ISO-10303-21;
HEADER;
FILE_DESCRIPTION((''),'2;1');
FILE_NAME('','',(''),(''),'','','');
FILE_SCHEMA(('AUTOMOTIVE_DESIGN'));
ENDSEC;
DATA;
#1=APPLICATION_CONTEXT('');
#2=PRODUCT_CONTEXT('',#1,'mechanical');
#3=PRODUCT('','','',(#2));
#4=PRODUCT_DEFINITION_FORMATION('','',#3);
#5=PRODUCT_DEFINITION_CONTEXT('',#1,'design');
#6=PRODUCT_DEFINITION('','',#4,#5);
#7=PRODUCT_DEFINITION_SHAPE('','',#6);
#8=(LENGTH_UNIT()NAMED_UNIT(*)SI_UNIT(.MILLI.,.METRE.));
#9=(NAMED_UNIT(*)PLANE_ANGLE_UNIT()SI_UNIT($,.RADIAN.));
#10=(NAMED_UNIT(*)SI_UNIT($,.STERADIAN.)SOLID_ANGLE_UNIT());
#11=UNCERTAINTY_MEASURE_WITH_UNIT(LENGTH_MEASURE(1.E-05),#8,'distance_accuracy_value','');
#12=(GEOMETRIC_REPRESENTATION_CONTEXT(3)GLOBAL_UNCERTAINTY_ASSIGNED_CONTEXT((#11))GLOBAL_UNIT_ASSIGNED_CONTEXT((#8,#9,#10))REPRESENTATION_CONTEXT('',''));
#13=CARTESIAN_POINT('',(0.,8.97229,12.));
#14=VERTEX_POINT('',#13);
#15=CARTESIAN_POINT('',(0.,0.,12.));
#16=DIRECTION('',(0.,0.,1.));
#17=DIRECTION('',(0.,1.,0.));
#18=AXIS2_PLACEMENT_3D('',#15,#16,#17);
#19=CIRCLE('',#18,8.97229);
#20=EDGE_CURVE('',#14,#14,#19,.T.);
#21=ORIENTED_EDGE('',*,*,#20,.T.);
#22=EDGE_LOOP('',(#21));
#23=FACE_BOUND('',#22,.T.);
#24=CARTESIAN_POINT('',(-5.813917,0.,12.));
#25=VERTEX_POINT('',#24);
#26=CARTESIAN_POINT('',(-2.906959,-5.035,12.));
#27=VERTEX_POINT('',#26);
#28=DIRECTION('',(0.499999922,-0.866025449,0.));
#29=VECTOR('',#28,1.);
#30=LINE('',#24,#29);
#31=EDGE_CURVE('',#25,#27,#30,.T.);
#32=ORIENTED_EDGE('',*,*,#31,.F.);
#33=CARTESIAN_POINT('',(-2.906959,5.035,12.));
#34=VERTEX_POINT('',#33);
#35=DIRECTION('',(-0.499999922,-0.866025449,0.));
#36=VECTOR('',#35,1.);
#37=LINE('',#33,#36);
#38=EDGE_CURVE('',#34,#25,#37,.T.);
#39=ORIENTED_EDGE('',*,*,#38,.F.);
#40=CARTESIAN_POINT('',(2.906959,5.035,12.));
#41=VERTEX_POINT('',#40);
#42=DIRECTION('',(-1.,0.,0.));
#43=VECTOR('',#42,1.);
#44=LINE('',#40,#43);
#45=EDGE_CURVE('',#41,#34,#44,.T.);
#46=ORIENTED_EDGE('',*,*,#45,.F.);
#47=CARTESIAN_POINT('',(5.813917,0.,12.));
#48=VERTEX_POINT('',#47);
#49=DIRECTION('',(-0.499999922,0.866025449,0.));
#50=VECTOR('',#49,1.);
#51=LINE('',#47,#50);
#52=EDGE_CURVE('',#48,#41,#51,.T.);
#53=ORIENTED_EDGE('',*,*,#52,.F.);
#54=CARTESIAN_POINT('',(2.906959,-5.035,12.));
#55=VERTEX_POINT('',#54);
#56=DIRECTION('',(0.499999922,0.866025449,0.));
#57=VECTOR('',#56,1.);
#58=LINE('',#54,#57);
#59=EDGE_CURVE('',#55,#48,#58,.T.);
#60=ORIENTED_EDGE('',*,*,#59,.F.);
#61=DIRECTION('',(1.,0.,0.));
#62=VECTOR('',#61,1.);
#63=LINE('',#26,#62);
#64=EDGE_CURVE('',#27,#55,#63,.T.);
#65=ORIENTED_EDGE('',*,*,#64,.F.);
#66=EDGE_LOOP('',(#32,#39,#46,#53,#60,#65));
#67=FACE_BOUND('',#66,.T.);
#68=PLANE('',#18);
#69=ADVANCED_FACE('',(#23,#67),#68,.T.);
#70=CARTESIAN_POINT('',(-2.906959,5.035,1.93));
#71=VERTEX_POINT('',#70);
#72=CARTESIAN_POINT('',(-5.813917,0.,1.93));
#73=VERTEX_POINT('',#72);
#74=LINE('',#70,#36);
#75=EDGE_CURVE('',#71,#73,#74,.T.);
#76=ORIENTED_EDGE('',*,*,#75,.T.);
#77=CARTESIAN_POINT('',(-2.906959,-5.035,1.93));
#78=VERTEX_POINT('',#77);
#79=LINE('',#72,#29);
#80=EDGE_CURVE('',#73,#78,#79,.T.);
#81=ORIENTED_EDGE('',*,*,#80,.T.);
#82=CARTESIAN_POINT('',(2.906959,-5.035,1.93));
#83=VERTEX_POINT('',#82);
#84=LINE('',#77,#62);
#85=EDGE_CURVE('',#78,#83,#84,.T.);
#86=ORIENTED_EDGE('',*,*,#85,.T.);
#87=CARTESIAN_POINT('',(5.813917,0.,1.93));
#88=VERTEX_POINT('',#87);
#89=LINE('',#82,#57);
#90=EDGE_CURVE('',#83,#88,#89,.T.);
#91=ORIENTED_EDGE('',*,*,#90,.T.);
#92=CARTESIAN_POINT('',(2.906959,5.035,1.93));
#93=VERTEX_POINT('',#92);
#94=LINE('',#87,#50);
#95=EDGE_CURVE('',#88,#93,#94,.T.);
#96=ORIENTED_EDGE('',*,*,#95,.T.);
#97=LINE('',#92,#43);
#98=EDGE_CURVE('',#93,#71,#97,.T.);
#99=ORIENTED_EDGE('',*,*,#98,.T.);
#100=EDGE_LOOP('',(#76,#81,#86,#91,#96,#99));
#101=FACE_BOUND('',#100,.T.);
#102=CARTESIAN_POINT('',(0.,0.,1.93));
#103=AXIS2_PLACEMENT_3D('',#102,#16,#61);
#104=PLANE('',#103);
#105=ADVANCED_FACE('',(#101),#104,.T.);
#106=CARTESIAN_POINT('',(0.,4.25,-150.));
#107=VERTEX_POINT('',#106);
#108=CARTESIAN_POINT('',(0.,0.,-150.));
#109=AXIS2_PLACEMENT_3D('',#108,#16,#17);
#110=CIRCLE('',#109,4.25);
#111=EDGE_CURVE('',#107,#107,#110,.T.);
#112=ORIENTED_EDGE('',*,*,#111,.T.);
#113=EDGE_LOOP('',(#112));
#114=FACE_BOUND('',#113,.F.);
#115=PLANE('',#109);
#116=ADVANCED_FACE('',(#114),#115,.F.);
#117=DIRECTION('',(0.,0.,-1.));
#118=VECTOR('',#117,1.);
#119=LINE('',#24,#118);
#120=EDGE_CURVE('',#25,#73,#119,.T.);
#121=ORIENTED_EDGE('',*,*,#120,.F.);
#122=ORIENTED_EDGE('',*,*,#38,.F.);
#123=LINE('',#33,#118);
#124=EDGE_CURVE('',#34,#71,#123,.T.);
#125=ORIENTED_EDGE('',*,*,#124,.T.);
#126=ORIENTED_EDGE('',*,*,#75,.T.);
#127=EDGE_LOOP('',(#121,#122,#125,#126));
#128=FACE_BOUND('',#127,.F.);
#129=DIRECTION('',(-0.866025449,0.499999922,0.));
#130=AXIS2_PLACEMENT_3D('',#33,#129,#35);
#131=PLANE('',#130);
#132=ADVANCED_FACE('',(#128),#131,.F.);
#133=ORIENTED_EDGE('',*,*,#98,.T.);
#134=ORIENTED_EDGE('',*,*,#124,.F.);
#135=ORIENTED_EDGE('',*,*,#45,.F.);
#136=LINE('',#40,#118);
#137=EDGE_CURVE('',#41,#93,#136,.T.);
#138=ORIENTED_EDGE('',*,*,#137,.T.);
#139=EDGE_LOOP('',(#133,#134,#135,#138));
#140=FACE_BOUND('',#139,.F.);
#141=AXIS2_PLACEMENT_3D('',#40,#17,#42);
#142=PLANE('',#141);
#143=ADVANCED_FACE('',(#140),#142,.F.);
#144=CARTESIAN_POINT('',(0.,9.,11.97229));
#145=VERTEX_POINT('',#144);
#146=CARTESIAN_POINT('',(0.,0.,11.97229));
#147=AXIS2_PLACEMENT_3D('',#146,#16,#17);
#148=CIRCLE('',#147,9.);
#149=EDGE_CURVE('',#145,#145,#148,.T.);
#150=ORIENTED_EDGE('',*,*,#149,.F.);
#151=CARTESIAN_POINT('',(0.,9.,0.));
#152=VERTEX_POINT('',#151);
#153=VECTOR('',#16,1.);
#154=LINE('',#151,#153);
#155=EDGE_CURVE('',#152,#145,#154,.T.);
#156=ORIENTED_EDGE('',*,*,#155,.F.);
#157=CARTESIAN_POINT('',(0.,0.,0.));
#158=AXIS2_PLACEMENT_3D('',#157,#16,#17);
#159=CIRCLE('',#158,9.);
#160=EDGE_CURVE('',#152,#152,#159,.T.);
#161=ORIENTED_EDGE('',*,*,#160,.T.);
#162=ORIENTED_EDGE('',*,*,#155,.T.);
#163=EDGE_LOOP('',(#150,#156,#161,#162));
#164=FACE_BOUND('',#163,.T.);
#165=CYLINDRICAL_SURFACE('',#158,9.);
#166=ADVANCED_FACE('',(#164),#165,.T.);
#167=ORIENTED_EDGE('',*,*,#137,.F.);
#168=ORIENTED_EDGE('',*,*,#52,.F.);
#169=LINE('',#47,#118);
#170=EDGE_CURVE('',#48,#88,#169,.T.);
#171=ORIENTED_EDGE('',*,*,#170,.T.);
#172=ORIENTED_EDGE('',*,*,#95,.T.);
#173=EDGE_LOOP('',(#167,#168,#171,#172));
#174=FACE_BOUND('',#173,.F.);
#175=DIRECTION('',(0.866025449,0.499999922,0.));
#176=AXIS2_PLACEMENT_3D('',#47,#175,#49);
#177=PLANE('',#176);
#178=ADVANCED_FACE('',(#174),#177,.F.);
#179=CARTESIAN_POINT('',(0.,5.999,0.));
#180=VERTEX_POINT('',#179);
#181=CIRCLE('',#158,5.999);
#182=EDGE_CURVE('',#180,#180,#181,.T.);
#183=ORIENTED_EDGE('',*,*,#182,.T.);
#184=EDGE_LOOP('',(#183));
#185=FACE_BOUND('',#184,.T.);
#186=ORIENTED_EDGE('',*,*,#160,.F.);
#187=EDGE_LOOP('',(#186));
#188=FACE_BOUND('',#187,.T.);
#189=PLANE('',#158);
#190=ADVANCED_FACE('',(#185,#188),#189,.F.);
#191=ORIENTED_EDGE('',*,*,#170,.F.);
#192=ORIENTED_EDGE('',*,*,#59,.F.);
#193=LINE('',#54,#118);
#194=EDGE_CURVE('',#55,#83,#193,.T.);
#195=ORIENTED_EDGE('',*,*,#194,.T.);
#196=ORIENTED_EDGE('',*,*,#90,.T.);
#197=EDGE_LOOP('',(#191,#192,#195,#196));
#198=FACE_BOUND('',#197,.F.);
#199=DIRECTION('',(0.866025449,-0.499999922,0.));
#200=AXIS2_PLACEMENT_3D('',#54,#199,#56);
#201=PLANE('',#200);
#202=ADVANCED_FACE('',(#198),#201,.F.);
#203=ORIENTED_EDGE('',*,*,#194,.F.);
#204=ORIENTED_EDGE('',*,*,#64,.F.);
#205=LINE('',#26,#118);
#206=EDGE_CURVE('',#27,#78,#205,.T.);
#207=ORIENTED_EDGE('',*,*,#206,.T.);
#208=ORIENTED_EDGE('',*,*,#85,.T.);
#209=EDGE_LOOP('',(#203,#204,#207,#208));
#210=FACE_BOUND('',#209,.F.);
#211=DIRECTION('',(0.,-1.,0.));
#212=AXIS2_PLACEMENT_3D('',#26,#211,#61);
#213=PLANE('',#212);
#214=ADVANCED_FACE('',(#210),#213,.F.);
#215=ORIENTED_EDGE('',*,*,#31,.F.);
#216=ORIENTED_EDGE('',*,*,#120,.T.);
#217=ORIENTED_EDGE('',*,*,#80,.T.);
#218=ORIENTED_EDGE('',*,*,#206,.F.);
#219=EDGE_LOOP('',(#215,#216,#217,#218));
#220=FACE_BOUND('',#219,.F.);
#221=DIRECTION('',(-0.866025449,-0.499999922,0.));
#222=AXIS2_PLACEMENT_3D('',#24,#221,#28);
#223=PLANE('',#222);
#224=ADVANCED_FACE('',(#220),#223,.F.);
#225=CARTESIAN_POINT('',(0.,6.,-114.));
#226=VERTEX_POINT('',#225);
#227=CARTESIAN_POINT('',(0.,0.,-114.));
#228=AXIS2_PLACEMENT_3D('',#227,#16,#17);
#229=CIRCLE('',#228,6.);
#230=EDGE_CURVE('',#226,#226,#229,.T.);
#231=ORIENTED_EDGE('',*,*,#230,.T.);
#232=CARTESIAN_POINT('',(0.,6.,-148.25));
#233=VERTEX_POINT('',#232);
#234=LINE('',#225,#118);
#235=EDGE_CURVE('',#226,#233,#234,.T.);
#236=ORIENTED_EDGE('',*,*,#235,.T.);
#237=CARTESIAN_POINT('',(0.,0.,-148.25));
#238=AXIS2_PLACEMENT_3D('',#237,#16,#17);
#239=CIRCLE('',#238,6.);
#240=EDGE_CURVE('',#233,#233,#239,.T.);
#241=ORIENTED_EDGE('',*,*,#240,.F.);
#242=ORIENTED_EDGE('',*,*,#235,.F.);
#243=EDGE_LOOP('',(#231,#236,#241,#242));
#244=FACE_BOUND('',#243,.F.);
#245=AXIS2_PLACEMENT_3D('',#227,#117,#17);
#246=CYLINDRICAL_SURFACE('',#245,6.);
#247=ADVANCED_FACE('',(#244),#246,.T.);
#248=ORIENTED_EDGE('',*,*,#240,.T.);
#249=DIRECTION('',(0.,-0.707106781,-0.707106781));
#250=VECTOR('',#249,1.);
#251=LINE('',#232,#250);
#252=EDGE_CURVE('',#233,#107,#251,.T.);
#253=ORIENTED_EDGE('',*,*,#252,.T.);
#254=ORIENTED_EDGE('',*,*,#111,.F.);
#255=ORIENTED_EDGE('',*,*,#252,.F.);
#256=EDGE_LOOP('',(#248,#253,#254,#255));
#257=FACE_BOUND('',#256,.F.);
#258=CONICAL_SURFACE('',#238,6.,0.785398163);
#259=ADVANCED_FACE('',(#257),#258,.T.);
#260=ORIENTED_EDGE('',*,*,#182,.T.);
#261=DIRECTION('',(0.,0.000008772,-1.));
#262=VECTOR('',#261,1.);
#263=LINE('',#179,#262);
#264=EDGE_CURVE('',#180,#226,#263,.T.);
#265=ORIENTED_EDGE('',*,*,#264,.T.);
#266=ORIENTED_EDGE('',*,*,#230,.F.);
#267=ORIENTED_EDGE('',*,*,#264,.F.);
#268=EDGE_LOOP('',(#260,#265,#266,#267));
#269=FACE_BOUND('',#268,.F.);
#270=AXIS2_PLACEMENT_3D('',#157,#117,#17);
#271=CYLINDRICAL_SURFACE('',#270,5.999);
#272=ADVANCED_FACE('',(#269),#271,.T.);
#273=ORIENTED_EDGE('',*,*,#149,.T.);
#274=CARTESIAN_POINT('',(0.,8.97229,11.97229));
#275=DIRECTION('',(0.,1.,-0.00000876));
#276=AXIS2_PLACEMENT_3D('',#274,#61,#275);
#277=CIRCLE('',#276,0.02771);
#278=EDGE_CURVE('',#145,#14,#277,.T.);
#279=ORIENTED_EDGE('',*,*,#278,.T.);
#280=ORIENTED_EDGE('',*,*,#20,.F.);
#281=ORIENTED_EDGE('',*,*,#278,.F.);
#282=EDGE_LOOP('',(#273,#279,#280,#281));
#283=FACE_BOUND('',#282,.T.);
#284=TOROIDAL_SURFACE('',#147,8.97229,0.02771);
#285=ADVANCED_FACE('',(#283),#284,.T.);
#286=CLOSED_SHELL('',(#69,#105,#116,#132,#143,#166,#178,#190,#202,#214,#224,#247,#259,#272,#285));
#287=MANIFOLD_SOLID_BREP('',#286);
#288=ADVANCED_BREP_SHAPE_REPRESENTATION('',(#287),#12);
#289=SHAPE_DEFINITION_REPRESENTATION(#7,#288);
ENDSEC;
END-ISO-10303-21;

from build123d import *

# Parameters (mm, degrees)
POCKET_DEPTH = 10.07


with BuildPart() as part:
    # Sketch → Revolve (revolve)
    with BuildSketch(Plane.YZ):
        with BuildLine():
            Line((5.999, 0), (9, 0))
            Line((9, 0), (9, 11.97229))
            ThreePointArc((9, 11.97229), (8.991884, 11.991884), (8.97229, 12))
            Line((8.97229, 12), (0, 12))
            Line((0, -150), (0, 12))
            Line((4.25, -150), (0, -150))
            Line((6, -148.25), (4.25, -150))
            Line((6, -114), (6, -148.25))
            Line((5.999, 0), (6, -114))
        make_face()
    revolve(axis=Axis((0, 0, 0), (0, 0, 1)))

    # Sketch001 → Pocket (cut)
    with BuildSketch(Plane.XY.offset(12)):
        Polygon((5.813917, 0), (2.906959, 5.035), (-2.906959, 5.035), (-5.813917, 0), (-2.906959, -5.035), (2.906959, -5.035), align=None)
    extrude(amount=-POCKET_DEPTH, mode=Mode.SUBTRACT)


solid = part.part
